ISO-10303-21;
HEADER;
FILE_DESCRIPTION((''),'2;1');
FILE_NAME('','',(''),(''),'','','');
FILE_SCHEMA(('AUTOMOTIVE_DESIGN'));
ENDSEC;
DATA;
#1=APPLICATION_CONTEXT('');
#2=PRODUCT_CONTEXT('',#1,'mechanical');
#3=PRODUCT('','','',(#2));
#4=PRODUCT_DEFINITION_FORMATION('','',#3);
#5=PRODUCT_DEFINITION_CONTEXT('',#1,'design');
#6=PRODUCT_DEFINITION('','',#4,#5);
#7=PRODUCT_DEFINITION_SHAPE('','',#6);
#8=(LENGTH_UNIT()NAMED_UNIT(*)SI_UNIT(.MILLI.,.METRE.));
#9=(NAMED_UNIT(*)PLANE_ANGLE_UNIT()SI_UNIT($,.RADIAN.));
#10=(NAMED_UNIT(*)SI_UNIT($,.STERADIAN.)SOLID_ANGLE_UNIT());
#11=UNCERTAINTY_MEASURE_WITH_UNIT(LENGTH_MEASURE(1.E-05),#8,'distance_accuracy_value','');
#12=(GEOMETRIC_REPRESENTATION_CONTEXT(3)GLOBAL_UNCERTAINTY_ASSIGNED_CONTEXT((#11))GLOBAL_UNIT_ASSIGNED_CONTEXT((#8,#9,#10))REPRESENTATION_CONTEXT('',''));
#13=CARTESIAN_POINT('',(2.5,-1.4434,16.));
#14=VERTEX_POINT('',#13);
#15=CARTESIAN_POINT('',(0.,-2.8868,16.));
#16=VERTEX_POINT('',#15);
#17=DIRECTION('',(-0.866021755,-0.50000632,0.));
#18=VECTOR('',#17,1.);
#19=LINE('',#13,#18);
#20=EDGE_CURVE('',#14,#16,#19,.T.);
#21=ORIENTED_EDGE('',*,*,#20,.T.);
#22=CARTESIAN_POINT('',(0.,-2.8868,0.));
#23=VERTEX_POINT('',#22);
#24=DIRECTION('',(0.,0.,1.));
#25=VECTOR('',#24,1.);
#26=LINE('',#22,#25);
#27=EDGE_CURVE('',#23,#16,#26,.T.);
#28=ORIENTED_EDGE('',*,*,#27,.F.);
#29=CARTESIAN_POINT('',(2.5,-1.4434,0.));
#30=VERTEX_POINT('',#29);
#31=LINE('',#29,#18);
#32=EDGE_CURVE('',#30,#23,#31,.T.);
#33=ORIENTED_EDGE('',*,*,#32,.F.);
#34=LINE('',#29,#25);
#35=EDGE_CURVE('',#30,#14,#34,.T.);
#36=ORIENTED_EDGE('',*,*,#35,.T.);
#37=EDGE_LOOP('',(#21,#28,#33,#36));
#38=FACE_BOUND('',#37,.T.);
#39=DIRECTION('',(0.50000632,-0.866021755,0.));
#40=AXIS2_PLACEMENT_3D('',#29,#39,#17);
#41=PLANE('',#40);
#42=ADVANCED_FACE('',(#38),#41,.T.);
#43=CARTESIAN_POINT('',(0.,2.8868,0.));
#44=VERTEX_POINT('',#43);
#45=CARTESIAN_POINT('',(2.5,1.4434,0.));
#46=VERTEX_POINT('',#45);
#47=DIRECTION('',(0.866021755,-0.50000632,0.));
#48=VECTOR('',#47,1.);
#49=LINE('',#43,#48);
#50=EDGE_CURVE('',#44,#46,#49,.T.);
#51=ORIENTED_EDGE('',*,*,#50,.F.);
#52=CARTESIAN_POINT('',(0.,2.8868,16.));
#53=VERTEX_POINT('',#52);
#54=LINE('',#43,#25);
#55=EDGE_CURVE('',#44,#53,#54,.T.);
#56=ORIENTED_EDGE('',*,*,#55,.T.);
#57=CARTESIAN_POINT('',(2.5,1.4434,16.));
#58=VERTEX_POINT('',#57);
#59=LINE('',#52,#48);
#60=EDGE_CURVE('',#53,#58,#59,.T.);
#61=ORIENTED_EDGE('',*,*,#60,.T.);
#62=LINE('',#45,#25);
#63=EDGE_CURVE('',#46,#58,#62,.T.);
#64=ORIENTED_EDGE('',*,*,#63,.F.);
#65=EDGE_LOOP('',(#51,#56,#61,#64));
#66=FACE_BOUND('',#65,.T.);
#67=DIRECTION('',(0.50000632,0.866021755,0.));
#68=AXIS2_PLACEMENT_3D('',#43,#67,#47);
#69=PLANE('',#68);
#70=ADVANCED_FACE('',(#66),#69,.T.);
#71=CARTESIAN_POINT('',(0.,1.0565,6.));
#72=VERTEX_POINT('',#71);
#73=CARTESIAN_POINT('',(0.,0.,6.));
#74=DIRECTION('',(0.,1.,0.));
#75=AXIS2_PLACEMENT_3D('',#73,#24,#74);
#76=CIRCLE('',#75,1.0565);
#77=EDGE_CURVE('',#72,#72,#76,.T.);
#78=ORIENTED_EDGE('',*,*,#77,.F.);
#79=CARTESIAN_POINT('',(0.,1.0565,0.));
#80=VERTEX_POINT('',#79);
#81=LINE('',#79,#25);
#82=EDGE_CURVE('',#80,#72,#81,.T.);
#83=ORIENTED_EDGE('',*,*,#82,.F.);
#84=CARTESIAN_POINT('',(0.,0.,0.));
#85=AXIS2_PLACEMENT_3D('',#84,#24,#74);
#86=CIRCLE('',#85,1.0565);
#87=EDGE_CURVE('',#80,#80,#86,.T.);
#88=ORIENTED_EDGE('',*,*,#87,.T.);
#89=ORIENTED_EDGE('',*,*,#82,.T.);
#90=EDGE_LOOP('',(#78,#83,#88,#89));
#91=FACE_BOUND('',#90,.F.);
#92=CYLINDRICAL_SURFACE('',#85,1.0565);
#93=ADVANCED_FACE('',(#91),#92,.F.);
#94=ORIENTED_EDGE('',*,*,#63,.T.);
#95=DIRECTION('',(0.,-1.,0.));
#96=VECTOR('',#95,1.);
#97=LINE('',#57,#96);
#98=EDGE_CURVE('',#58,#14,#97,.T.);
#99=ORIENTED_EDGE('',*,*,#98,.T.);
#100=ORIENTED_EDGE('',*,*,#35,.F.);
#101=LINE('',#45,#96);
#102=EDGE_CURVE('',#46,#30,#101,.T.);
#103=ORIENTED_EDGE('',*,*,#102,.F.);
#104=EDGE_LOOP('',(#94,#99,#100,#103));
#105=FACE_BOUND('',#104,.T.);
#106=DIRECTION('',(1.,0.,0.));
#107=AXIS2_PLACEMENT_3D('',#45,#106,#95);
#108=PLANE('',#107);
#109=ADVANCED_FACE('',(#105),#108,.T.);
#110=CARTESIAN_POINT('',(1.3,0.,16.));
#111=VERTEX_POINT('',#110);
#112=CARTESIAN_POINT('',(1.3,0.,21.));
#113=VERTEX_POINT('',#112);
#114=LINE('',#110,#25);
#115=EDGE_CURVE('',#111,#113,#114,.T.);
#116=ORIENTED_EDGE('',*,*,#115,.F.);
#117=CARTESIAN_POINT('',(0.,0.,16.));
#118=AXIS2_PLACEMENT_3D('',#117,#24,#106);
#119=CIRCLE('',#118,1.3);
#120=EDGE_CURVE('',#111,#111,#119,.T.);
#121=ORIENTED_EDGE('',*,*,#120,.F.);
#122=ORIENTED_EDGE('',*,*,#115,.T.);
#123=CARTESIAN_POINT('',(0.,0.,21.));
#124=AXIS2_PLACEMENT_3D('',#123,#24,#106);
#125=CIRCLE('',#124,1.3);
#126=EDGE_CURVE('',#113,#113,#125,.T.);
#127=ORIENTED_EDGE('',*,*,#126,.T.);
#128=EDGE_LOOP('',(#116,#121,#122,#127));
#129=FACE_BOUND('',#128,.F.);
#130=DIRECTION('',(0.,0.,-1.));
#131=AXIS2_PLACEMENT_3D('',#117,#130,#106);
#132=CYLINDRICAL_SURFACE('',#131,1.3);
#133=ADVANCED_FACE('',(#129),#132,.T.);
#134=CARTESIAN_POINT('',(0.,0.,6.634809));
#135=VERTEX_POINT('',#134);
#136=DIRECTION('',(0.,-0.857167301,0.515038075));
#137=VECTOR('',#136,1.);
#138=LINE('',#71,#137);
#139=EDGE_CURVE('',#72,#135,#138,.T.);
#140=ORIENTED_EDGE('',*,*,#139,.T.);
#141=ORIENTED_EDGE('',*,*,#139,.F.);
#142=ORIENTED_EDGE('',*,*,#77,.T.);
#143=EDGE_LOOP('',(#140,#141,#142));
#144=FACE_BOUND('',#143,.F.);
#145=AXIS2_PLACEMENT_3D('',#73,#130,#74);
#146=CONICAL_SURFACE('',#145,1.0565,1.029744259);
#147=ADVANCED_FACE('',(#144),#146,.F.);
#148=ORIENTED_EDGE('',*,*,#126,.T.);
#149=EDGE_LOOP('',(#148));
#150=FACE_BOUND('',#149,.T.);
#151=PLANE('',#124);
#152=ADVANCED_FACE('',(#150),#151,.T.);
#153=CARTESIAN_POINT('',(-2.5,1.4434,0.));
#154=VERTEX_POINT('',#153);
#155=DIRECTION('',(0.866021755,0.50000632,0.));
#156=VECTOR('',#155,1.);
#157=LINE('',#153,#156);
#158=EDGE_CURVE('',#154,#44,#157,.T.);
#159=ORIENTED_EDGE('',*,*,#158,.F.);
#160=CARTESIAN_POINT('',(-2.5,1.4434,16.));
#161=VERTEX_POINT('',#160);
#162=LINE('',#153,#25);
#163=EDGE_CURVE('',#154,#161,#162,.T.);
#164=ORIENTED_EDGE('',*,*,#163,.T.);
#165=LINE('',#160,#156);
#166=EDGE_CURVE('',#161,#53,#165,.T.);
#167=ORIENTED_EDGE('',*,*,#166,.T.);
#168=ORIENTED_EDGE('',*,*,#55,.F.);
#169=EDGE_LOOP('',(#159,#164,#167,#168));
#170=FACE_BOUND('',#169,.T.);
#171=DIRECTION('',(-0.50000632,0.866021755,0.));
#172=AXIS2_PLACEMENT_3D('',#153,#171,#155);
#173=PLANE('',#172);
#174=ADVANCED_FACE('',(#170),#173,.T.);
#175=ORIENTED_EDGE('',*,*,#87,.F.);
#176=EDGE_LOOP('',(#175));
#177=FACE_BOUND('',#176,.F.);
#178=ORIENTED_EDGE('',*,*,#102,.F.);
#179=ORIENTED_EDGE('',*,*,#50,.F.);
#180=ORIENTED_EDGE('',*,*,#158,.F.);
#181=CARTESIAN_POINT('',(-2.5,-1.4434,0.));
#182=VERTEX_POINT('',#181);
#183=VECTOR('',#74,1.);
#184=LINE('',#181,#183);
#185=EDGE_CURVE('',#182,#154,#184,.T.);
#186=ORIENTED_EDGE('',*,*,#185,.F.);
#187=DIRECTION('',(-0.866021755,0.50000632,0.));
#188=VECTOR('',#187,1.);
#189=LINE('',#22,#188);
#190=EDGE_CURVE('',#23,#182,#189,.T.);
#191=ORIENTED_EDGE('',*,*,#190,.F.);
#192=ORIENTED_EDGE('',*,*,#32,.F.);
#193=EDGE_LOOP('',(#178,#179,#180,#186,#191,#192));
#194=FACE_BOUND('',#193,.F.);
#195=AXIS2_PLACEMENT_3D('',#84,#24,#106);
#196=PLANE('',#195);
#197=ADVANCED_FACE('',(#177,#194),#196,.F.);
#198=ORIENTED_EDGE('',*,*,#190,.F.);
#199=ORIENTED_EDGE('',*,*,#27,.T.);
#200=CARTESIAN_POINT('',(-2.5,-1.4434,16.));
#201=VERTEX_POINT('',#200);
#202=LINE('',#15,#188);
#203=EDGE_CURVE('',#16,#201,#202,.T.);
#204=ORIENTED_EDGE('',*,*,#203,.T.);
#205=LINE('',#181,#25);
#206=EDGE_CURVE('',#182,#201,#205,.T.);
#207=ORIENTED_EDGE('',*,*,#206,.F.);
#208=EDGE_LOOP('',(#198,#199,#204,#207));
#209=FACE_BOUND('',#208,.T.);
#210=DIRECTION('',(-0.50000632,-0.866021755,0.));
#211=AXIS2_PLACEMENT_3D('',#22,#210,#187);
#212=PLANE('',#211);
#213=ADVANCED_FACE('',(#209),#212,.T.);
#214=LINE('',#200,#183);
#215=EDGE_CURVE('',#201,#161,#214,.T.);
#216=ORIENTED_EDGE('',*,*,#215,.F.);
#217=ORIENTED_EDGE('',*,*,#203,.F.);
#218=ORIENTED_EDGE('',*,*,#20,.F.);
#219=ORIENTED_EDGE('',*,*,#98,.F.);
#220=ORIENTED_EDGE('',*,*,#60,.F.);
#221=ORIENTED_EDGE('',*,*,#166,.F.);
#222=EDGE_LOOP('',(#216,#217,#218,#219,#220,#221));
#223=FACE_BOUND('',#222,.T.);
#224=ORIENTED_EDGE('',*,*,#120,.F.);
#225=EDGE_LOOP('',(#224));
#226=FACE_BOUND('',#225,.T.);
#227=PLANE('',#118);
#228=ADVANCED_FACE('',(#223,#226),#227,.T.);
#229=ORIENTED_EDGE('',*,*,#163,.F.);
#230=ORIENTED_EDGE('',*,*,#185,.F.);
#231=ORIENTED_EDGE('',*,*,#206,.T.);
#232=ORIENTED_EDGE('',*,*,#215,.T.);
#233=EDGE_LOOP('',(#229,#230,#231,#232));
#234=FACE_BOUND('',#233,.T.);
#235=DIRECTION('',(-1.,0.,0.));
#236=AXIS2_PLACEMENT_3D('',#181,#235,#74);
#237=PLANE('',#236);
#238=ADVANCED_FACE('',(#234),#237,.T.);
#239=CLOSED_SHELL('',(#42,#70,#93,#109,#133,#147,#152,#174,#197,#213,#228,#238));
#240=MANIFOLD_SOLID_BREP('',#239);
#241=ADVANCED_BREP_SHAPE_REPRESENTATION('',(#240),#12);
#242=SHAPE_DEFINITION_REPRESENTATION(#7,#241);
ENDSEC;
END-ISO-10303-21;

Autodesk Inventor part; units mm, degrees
ref_plane "YZ Plane" through (0, 0, 0) normal (1, 0, 0) x (0, 1, 0)
ref_plane "XZ Plane" through (0, 0, 0) normal (0, 1, 0) x (-1, 0, 0)
ref_plane "XY Plane" through (0, 0, 0) normal (0, 0, 1) x (1, 0, 0)
sketch "スケッチ1" plane through (0, 0, 0) normal (0, 0, 1) x (1, 0, 0)
  line L0 (0, 2.8868) -> (2.5, 1.4434)
  line L1 (2.5, 1.4434) -> (2.5, -1.4434)
  line L2 (2.5, -1.4434) -> (0, -2.8868)
  line L3 (0, -2.8868) -> (-2.5, -1.4434)
  line L4 (-2.5, -1.4434) -> (-2.5, 1.4434)
  line L5 (-2.5, 1.4434) -> (0, 2.8868)
  point P0 (0, 0)
  point P1 (0, 0)
  dimension "d0" = 5
extrude "押し出し1" add sketch "スケッチ1" along normal blind 16
sketch "スケッチ2" plane through (0, 0, 16) normal (0, 0, 1) x (1, 0, 0)
  circle A0 centre (0, 0) radius 1.3
  dimension "d3" = 2.6
extrude "押し出し2" add sketch "スケッチ2" along normal blind 5
thread "ねじ1" size "M2.6x0.45" class "6g" standard "ANSI Metric M Profile" full length
sketch "スケッチ3" plane through (0, 0, 0) normal (0, 0, -1) x (-1, 0, 0)
  point P0 (0, 0)
hole "穴1" at (0, 0, 0) direction (0, 0, 1) diameter 2.113 depth 6 tip angle 118 thread size "M2.6x0.45" class "6H" standard "ISO Metric profile"
properties part number "ジュラコンスペーサー（六角）_BS-2616E" material "アセタール樹脂、白"
